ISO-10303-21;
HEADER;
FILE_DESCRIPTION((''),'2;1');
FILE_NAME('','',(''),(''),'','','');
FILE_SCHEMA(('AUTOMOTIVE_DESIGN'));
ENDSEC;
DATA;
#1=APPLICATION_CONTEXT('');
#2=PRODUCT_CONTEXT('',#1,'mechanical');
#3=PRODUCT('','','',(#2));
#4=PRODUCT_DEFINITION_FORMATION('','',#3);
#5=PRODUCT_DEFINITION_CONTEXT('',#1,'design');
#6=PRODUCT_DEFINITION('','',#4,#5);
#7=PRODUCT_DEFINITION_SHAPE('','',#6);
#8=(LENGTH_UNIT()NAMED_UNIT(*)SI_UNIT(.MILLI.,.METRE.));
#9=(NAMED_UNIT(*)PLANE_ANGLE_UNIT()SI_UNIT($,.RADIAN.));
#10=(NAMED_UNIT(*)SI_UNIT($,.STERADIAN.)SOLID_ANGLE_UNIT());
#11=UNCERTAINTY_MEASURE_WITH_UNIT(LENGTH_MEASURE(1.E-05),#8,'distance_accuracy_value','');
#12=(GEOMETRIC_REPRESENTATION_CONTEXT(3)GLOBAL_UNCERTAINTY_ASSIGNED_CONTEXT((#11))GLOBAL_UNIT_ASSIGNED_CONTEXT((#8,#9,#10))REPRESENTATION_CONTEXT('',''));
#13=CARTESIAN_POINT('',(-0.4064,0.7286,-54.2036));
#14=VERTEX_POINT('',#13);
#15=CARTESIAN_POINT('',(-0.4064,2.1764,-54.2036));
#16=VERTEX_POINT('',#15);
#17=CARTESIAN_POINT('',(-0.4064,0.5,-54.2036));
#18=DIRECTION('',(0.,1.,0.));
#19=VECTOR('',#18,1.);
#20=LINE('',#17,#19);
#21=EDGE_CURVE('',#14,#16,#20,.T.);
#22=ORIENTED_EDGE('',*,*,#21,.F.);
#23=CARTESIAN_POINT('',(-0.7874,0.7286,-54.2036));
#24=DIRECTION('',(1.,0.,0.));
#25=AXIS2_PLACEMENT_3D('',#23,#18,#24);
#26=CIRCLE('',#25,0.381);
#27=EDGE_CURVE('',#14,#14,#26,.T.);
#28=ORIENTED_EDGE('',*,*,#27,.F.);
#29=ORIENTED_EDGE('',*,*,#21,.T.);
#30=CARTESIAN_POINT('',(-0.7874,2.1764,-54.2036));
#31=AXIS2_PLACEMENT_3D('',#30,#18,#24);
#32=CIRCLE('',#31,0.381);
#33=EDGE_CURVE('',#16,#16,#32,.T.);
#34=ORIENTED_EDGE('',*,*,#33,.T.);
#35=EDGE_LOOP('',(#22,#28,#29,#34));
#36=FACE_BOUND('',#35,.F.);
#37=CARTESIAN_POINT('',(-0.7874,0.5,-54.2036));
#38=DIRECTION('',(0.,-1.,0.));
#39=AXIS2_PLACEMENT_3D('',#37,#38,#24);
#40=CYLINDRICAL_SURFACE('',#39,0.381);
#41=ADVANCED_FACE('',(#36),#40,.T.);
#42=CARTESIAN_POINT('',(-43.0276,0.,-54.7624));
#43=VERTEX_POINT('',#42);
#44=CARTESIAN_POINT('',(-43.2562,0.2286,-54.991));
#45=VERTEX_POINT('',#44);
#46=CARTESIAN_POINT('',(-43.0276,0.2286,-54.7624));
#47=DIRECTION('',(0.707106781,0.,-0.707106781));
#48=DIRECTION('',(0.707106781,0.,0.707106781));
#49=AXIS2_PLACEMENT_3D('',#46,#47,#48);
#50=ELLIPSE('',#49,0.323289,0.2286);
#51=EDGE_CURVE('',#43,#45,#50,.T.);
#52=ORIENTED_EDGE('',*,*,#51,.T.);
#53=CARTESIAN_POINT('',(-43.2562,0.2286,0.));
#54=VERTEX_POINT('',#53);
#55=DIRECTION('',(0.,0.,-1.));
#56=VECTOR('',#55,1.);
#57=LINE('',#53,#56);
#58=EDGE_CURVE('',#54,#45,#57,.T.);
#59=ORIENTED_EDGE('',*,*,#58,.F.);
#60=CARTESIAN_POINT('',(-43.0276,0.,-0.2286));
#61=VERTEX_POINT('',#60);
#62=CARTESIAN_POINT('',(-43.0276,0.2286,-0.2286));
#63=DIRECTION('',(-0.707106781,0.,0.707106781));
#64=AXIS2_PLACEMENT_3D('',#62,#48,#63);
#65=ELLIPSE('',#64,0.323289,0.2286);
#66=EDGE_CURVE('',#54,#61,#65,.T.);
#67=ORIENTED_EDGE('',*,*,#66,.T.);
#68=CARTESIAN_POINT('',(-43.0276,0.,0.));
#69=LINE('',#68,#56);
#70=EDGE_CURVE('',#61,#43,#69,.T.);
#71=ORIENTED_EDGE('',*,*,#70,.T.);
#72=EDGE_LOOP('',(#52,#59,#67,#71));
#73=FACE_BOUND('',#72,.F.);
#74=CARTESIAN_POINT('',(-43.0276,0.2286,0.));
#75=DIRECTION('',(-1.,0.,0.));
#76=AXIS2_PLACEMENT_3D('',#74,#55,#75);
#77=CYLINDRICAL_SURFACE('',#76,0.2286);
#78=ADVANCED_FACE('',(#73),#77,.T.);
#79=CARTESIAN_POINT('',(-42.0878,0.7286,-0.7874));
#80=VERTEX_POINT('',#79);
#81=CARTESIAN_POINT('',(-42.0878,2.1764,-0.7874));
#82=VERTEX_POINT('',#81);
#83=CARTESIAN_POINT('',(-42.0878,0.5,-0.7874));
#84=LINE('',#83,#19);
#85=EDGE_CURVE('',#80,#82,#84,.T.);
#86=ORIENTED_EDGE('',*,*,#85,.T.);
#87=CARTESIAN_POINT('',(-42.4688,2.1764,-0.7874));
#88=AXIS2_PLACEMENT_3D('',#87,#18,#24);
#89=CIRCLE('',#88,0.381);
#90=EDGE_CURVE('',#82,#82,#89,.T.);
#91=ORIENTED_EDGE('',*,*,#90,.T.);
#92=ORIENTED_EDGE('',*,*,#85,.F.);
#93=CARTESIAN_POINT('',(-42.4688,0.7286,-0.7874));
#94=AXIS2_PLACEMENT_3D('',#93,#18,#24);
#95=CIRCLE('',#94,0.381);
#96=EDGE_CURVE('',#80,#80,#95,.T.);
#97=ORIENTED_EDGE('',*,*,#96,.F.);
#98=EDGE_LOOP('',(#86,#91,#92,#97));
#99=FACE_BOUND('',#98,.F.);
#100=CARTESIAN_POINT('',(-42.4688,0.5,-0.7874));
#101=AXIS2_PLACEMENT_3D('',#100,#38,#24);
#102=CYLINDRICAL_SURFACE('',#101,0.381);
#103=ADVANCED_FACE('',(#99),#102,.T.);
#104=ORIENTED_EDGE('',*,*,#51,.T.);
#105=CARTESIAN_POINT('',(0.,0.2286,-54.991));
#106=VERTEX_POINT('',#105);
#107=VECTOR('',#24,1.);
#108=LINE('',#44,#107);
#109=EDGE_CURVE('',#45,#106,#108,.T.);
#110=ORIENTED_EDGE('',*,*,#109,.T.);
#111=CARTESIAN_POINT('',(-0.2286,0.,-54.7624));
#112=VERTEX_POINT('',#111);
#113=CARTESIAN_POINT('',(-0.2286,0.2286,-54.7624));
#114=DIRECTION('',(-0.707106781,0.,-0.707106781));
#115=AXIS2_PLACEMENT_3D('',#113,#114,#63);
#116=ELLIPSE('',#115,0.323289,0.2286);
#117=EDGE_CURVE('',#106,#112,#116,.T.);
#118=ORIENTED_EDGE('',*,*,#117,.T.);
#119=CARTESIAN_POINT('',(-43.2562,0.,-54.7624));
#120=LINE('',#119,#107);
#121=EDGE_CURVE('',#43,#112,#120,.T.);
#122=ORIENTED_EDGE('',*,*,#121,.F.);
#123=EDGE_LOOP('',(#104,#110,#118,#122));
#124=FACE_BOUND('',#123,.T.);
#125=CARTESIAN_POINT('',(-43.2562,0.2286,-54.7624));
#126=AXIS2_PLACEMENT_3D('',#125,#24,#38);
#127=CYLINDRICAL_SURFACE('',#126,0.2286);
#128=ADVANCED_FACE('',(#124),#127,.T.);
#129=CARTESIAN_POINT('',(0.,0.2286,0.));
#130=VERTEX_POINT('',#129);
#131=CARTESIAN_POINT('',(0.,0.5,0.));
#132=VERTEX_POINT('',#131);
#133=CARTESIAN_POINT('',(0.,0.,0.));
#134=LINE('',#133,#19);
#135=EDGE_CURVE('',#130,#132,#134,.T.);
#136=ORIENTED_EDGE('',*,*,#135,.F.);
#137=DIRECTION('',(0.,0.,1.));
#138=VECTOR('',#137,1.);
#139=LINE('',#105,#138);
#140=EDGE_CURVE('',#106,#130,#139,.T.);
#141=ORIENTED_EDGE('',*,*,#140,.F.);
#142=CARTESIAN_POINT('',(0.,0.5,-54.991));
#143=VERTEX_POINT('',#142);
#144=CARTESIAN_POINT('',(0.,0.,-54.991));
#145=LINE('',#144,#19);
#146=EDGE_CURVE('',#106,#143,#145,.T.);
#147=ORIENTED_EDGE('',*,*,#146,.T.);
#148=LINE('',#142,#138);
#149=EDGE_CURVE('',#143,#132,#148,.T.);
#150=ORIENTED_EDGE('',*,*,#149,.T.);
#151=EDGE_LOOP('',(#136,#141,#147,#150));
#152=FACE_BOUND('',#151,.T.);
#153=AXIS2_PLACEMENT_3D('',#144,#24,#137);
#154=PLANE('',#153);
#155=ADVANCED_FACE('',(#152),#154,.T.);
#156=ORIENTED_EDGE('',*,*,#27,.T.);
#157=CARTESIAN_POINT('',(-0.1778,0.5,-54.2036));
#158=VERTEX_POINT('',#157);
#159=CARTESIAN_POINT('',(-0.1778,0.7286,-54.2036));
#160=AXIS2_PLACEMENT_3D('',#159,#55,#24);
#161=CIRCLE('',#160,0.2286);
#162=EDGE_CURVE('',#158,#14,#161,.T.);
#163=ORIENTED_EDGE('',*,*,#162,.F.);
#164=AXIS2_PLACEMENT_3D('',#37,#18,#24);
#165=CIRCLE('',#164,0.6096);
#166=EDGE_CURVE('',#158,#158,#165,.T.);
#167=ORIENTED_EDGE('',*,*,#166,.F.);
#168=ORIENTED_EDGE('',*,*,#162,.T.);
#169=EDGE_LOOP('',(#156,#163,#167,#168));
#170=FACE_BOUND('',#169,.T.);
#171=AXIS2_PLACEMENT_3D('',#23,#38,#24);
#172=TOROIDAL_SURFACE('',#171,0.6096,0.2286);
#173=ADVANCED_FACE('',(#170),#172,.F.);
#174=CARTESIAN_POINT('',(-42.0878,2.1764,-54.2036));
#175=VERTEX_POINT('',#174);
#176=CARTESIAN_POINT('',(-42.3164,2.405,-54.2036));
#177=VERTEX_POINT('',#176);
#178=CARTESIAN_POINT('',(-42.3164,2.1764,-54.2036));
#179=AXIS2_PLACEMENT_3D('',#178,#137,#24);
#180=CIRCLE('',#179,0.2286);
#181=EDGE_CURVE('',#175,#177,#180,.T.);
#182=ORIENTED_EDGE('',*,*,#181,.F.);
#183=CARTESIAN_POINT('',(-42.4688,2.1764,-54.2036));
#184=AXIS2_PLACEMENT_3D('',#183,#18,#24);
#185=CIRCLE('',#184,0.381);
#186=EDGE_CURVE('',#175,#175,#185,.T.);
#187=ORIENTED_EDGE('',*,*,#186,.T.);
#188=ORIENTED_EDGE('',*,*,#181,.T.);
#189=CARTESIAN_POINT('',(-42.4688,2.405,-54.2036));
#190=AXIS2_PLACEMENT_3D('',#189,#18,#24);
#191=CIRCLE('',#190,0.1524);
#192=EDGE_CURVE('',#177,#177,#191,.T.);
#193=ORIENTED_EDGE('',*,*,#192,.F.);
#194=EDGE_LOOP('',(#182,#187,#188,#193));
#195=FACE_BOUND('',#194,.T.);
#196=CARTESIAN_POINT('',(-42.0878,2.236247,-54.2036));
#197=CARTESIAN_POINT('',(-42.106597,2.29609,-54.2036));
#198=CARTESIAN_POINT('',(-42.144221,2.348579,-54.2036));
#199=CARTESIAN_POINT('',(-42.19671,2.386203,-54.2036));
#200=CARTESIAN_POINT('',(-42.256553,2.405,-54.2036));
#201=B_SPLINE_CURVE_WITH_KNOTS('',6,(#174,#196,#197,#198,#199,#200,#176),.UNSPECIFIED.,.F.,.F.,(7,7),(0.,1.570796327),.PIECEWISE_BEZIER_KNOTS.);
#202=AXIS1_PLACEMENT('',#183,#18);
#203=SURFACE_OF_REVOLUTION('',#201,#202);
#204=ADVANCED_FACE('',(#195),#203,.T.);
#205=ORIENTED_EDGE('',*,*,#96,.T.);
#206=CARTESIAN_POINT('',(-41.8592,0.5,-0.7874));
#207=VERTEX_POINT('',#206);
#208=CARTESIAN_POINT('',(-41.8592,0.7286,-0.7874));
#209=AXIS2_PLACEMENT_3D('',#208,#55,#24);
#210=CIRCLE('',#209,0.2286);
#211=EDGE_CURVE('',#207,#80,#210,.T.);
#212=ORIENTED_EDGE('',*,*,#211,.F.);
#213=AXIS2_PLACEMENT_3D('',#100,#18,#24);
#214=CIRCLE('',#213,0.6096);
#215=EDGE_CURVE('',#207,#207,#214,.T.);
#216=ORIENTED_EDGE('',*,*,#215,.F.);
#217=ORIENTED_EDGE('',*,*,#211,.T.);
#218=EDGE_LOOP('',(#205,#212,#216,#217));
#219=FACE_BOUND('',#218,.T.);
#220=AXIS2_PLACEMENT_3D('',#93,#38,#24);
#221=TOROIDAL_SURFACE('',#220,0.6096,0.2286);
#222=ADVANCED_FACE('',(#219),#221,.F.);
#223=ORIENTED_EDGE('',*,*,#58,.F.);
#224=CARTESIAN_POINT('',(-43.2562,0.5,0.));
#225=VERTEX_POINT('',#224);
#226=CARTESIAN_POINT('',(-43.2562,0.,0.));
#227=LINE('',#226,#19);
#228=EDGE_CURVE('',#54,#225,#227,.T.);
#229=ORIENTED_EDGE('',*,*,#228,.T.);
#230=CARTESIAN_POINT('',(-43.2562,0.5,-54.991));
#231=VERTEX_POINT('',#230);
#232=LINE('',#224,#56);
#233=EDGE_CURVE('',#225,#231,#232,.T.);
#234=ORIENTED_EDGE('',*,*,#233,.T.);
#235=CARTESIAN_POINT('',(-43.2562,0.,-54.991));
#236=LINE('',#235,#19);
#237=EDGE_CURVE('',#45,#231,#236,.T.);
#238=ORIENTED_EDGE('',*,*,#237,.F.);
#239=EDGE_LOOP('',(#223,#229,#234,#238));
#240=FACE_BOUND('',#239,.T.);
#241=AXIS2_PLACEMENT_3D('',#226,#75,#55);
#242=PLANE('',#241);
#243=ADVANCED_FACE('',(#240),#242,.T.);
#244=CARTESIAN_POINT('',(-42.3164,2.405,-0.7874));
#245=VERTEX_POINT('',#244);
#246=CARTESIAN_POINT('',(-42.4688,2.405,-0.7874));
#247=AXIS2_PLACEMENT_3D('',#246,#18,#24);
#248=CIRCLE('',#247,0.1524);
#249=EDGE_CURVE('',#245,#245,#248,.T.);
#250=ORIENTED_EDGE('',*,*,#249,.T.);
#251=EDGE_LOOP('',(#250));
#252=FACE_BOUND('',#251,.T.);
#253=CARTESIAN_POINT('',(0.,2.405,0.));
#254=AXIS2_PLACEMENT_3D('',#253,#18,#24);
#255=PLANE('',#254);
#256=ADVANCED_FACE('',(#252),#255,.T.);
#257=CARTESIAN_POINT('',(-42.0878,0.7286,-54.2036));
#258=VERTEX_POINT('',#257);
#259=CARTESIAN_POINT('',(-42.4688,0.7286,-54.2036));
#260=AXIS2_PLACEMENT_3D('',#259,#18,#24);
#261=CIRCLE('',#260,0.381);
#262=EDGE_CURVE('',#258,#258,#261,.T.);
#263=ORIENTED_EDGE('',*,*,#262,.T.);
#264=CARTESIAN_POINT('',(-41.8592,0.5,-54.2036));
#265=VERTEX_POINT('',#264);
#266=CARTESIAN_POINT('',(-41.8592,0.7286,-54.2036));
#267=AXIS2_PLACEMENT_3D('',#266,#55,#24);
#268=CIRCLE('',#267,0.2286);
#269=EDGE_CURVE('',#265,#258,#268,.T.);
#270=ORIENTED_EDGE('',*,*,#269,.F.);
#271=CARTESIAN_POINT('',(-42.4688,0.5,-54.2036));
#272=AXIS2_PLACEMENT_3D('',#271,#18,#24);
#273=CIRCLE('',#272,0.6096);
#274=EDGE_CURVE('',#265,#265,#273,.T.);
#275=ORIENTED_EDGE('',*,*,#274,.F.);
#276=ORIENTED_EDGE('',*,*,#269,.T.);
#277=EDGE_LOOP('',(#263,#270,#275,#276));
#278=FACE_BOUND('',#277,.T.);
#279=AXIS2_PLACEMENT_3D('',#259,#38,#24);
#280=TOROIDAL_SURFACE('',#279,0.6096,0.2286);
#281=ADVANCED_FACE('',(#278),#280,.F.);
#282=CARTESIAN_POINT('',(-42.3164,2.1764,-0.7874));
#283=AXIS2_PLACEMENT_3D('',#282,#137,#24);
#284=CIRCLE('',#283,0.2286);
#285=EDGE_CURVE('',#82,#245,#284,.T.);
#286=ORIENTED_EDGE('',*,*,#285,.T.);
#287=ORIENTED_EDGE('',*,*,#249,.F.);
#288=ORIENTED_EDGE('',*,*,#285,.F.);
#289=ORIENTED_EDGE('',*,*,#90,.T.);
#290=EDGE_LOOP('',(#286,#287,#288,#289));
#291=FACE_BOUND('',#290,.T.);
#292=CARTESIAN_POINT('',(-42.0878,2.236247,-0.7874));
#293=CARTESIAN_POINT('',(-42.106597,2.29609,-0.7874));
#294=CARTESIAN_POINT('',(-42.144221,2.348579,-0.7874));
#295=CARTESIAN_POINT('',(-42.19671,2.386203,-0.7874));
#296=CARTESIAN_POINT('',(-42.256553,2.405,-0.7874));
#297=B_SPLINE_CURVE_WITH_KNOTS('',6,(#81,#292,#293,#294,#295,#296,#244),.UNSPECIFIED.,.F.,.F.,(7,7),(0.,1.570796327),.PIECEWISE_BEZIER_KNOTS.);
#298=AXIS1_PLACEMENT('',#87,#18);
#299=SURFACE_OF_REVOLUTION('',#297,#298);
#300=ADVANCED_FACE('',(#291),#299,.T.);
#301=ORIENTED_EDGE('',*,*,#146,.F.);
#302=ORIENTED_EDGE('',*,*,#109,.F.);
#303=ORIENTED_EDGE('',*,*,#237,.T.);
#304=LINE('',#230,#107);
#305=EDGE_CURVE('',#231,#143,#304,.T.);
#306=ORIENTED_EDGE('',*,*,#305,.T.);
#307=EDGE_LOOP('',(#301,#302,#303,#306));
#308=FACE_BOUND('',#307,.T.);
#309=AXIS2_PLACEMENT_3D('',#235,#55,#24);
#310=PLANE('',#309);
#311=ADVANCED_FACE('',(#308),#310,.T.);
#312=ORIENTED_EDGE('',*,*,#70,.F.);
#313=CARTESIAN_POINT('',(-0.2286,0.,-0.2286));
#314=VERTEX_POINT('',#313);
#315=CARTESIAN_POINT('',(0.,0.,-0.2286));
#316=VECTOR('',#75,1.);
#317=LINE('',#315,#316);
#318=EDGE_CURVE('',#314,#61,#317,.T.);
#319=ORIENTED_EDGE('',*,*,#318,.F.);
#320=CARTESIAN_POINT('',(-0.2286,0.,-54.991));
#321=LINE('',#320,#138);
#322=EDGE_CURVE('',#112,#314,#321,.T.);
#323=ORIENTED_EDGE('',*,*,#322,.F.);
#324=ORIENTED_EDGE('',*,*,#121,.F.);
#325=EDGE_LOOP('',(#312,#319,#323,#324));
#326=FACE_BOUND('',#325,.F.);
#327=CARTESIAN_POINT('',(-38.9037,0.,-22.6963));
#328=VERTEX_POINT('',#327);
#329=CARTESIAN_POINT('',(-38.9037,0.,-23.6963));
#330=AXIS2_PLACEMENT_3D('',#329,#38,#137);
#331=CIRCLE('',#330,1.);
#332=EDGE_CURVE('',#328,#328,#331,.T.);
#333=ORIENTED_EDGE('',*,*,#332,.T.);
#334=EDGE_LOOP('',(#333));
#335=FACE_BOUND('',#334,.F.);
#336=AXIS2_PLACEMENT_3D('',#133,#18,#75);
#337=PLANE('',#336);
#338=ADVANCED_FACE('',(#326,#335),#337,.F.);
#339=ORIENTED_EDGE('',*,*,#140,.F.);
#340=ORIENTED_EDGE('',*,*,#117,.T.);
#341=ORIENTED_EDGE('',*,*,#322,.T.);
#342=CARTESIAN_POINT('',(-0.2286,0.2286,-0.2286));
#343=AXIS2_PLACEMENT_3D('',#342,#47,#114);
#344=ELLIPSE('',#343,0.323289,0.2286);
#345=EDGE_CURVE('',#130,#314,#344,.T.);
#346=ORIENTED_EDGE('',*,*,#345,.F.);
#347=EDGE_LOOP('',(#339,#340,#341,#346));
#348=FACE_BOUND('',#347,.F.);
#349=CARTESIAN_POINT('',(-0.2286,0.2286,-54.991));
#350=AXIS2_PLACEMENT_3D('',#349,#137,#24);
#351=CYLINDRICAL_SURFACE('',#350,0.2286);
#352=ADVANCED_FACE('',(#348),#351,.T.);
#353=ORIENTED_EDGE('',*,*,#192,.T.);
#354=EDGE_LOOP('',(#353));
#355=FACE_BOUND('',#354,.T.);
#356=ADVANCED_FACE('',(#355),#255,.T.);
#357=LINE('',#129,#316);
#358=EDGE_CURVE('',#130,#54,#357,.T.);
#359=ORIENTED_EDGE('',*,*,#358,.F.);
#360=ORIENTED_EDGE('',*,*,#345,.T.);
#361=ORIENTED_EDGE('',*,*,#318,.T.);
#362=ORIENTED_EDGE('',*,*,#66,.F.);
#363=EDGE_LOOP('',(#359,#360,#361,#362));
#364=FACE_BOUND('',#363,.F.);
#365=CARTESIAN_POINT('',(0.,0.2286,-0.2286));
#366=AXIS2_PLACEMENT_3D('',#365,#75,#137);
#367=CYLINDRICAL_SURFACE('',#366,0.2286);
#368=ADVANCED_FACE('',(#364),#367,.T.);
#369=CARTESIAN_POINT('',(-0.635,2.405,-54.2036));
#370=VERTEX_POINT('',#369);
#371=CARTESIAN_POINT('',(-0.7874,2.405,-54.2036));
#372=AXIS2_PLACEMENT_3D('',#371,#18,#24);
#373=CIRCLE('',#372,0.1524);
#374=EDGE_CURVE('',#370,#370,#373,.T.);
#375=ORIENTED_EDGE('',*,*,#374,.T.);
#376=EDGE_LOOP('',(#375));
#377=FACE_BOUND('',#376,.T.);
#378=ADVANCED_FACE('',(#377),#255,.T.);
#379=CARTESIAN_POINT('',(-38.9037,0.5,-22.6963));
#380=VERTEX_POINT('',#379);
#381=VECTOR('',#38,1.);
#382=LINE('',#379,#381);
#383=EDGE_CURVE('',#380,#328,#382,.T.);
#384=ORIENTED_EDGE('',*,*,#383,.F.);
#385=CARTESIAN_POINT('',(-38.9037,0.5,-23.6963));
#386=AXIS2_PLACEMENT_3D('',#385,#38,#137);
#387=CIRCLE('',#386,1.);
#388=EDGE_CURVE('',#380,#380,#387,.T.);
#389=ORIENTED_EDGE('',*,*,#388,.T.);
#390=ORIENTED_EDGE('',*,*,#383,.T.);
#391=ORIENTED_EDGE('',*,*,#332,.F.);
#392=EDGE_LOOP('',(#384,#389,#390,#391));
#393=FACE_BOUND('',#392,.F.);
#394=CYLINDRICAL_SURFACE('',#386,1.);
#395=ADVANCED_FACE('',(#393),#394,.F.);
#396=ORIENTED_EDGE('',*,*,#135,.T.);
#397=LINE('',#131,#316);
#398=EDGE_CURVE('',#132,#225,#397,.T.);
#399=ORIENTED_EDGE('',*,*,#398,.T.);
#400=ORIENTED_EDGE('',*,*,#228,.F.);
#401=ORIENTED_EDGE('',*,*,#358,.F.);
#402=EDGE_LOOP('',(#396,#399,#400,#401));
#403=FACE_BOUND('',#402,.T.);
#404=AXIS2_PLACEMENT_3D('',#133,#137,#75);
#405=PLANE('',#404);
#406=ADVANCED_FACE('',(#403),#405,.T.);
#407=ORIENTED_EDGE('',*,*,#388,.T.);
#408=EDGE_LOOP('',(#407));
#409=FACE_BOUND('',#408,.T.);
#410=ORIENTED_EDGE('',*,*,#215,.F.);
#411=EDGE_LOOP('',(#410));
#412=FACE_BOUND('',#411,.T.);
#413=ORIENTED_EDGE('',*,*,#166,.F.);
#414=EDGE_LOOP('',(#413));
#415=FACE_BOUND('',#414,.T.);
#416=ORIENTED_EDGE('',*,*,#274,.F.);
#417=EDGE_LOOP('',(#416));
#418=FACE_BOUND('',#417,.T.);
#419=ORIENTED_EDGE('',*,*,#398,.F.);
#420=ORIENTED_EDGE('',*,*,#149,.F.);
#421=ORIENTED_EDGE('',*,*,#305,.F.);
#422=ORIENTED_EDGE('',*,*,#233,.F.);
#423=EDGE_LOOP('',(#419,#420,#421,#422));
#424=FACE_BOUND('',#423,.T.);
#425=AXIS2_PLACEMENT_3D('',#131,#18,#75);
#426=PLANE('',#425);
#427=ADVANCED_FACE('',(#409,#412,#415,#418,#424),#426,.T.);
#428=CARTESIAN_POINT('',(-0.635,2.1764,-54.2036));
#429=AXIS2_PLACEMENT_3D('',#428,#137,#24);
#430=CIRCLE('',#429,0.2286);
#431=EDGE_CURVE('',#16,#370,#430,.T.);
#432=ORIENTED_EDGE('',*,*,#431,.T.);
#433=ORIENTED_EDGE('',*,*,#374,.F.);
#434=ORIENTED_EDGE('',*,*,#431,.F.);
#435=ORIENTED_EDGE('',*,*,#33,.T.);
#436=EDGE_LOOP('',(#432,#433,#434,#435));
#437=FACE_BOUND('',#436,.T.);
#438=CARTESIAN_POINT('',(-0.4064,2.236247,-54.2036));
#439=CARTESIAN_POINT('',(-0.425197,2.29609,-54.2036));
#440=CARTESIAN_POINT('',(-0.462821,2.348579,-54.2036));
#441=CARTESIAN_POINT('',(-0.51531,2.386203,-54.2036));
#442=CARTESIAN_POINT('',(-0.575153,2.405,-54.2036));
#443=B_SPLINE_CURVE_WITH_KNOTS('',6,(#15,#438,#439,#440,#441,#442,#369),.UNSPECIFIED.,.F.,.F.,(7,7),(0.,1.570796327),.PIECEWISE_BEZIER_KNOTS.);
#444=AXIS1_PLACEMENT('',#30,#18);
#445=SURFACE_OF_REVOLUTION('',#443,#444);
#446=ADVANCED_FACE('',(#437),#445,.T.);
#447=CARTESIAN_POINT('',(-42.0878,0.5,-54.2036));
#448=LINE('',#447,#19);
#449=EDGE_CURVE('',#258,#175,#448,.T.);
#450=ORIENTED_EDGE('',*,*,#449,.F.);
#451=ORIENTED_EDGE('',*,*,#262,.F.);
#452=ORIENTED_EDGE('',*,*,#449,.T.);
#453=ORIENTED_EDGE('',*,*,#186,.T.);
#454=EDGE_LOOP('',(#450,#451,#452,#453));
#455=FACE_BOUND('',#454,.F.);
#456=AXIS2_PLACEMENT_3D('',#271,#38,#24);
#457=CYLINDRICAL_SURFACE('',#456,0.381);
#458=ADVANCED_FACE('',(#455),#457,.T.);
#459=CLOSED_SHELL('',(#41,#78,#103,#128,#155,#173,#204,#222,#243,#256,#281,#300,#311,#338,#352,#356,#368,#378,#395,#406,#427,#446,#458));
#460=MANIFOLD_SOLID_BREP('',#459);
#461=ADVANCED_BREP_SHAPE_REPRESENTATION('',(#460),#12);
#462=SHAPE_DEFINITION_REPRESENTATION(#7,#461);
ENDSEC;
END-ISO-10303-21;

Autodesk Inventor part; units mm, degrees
ref_plane "YZ Plane" through (0, 0, 0) normal (1, 0, 0) x (0, 1, 0)
ref_plane "XZ Plane" through (0, 0, 0) normal (0, 1, 0) x (-1, 0, 0)
ref_plane "XY Plane" through (0, 0, 0) normal (0, 0, 1) x (1, 0, 0)
sketch "Sketch1" plane through (0, 0, 0) normal (0, 1, 0) x (-1, 0, 0)
  line L0 (0, 0) -> (43.2562, 0)
  line L1 (43.2562, 0) -> (43.2562, -54.991)
  line L2 (43.2562, -54.991) -> (0, -54.991)
  line L3 (0, -54.991) -> (0, 0)
  dimension "d0" = 43.2562
  dimension "d1" = 54.991
extrude "Extrusion1" add sketch "Sketch1" along normal blind 0.5
sketch "Sketch2" plane through (0, 0.5, 0) normal (0, 1, 0) x (1, 0, 0)
  circle A0 centre (-42.4688, 0.7874) radius 0.381
  circle A1 centre (-42.4688, 54.2036) radius 0.381
  circle A2 centre (-0.7874, 54.2036) radius 0.381
  circle A3 centre (-0.7874, 0.7874) radius 0.381
  point P0 (0, 0)
  dimension "d4" = 0.762
  dimension "d5" = 0.762
  dimension "d6" = 0.762
  dimension "d10" = 0.762
extrude "Extrusion2" add sketch "Sketch2" along normal blind 1.905 contours A0 | A1 | A2
fillet "Fillet1" radius 0.2286 10 edges at (-42.8498, 2.405, -0.7874) (-42.8498, 2.405, -54.2036) (-1.1684, 2.405, -54.2036) (-1.1684, 0.5, -54.2036) (-42.8498, 0.5, -54.2036) (-42.8498, 0.5, -0.7874) (-21.6281, 0, 0) (0, 0, -27.4955) (-21.6281, 0, -54.991) (-43.2562, 0, -27.4955)
sketch "Sketch3" plane through (0, 0.5, 0) normal (0, 1, 0) x (1, 0, 0)
  line L0 (0, 54.991) -> (-43.2562, 54.991) projected
  line L1 (0, 54.991) -> (0, 25.019)
  line L2 (0, 54.991) -> (0, 0) projected
  line L3 (0, 25.019) -> (-2.8956, 25.019)
  line L4 (-43.2562, 25.019) -> (-40.3606, 25.019)
  line L5 (-40.3606, 25.019) -> (-39.3606, 25.019)
  point P0 (-38.9037, 23.6963)
  dimension "d11" = 29.972
  dimension "d12" = 2.8956
  dimension "d20" = 2.8956
  dimension "d21" = 1
hole "Hole1" at (-38.9037, 0.5, -23.6963) direction (0, -1, 0) diameter 2 end through all
properties part number "enclosure_lid"
